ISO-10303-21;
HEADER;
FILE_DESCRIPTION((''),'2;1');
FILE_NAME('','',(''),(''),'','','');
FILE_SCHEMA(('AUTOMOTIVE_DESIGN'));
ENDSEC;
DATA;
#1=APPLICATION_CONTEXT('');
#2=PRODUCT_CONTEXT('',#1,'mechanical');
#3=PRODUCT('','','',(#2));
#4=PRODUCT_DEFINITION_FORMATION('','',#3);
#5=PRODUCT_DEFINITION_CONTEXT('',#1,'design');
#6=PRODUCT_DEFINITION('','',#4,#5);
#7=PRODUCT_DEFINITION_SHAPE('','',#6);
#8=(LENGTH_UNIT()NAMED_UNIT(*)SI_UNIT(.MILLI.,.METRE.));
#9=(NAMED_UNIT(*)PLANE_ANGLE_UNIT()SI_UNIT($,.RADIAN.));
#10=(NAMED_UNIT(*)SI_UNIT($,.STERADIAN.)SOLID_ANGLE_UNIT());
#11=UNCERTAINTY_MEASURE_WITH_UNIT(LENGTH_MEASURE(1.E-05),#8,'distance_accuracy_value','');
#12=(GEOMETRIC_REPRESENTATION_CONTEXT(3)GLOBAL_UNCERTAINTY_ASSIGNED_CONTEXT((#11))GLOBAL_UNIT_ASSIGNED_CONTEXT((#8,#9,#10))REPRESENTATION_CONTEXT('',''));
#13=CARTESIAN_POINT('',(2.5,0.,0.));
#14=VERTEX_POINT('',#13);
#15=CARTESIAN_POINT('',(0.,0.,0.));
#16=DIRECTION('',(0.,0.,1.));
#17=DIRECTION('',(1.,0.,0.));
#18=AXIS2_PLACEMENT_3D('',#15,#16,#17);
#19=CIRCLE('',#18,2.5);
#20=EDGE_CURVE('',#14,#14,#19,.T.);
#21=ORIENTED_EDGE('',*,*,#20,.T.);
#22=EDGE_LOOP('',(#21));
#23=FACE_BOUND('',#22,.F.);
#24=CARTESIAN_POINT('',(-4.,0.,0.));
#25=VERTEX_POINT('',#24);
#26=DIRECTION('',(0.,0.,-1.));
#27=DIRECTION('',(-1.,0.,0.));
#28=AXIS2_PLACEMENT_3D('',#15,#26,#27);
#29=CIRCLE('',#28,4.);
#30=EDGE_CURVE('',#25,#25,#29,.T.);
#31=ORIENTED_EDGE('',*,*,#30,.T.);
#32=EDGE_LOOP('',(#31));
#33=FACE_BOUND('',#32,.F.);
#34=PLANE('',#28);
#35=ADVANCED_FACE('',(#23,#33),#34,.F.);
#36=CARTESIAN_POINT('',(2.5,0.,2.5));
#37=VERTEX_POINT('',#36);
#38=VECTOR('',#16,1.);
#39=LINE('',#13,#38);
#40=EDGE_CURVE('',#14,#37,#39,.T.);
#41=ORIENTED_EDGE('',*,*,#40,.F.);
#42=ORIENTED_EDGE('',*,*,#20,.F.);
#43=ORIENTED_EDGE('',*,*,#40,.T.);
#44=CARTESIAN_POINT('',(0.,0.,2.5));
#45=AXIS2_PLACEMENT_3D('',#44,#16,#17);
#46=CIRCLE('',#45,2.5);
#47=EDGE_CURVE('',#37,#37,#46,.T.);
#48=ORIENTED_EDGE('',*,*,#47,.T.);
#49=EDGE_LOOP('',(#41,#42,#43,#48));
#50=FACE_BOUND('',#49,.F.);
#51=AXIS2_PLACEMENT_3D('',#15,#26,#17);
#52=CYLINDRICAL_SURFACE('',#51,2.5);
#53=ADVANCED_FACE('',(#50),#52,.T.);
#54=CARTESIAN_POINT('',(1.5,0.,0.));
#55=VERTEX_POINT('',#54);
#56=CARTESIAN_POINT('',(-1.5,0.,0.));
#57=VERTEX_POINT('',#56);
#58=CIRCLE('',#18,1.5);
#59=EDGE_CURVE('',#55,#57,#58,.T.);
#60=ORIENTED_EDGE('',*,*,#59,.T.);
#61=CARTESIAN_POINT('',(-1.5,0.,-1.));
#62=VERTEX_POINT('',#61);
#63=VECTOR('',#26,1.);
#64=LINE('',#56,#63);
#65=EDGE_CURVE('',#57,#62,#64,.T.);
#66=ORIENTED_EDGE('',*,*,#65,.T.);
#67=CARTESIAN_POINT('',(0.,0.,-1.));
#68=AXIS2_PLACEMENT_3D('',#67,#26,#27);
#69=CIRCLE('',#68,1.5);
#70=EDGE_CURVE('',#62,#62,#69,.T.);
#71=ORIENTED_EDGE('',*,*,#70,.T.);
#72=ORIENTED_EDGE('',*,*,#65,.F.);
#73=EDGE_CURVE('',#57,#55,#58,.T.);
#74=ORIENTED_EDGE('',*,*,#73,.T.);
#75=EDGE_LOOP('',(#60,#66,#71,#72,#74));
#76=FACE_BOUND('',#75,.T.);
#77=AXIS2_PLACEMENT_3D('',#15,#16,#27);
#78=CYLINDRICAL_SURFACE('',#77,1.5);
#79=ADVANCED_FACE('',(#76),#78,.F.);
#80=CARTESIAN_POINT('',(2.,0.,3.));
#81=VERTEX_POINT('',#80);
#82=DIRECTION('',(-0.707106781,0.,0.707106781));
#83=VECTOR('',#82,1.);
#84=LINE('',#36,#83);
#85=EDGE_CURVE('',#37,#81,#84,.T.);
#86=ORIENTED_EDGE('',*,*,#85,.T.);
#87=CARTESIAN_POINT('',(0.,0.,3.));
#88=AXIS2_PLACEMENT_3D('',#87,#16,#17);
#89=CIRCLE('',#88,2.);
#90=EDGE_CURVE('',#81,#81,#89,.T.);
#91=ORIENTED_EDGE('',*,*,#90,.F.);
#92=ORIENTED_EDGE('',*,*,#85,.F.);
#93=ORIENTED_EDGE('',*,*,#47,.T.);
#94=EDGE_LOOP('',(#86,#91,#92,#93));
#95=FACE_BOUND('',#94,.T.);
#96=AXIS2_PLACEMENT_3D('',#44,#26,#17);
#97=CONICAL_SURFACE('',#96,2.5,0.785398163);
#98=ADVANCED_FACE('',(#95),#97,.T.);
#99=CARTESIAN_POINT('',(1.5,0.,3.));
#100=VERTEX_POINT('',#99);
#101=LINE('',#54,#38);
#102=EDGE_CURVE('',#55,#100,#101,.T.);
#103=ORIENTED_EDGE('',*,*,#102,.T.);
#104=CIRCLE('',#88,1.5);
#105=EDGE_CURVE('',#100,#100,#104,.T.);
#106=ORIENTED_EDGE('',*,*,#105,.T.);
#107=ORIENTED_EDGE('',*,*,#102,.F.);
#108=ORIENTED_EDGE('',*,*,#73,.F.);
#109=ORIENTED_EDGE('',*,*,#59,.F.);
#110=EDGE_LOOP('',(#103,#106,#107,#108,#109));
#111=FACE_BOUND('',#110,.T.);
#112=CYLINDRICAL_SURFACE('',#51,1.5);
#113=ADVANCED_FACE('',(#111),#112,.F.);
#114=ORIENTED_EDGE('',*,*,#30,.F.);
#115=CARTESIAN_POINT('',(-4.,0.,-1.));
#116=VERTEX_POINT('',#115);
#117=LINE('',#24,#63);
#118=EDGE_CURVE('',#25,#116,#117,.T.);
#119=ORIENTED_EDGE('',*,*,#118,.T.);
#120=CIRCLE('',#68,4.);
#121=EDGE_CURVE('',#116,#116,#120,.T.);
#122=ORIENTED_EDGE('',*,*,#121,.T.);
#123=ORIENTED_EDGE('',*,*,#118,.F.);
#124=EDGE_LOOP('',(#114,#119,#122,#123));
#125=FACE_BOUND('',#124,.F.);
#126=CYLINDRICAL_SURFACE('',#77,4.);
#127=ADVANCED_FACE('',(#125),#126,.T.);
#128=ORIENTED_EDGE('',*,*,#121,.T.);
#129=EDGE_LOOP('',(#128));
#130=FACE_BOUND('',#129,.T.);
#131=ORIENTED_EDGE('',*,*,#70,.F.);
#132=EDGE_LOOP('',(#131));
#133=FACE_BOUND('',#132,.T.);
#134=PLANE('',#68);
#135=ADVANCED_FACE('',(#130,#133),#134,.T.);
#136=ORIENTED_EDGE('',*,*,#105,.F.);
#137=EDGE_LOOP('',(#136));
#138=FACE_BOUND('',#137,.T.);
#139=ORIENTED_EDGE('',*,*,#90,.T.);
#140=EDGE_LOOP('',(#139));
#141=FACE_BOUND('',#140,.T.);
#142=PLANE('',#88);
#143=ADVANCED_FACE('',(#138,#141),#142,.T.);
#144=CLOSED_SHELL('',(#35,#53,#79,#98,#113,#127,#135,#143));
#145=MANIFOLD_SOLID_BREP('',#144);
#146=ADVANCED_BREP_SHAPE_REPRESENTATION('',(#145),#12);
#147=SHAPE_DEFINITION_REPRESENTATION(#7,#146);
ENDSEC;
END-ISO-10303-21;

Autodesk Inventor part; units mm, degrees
ref_plane "YZ Plane" through (0, 0, 0) normal (1, 0, 0) x (0, 1, 0)
ref_plane "XZ Plane" through (0, 0, 0) normal (0, 1, 0) x (-1, 0, 0)
ref_plane "XY Plane" through (0, 0, 0) normal (0, 0, 1) x (1, 0, 0)
sketch "スケッチ1" plane through (0, 0, 0) normal (0, 0, 1) x (1, 0, 0)
  circle A0 centre (0, 0) radius 1.5
  circle A1 centre (0, 0) radius 2.5
  dimension "d0" = 3
  dimension "d1" = 5
extrude "押し出し1" add sketch "スケッチ1" along normal blind 3
chamfer "面取り1" distance 0.5 angle 45 1 edges at (-2.5, 0, 3)
sketch "スケッチ2" plane through (0, 0, 0) normal (0, 0, -1) x (-1, 0, 0)
  circle A0 centre (0, 0) radius 1.5 projected
  circle A1 centre (0, 0) radius 4
  dimension "d7" = 8
extrude "押し出し2" add sketch "スケッチ2" along normal blind 1
properties part number "オイレスw3f3-5a" material "アセタール樹脂、黒"
